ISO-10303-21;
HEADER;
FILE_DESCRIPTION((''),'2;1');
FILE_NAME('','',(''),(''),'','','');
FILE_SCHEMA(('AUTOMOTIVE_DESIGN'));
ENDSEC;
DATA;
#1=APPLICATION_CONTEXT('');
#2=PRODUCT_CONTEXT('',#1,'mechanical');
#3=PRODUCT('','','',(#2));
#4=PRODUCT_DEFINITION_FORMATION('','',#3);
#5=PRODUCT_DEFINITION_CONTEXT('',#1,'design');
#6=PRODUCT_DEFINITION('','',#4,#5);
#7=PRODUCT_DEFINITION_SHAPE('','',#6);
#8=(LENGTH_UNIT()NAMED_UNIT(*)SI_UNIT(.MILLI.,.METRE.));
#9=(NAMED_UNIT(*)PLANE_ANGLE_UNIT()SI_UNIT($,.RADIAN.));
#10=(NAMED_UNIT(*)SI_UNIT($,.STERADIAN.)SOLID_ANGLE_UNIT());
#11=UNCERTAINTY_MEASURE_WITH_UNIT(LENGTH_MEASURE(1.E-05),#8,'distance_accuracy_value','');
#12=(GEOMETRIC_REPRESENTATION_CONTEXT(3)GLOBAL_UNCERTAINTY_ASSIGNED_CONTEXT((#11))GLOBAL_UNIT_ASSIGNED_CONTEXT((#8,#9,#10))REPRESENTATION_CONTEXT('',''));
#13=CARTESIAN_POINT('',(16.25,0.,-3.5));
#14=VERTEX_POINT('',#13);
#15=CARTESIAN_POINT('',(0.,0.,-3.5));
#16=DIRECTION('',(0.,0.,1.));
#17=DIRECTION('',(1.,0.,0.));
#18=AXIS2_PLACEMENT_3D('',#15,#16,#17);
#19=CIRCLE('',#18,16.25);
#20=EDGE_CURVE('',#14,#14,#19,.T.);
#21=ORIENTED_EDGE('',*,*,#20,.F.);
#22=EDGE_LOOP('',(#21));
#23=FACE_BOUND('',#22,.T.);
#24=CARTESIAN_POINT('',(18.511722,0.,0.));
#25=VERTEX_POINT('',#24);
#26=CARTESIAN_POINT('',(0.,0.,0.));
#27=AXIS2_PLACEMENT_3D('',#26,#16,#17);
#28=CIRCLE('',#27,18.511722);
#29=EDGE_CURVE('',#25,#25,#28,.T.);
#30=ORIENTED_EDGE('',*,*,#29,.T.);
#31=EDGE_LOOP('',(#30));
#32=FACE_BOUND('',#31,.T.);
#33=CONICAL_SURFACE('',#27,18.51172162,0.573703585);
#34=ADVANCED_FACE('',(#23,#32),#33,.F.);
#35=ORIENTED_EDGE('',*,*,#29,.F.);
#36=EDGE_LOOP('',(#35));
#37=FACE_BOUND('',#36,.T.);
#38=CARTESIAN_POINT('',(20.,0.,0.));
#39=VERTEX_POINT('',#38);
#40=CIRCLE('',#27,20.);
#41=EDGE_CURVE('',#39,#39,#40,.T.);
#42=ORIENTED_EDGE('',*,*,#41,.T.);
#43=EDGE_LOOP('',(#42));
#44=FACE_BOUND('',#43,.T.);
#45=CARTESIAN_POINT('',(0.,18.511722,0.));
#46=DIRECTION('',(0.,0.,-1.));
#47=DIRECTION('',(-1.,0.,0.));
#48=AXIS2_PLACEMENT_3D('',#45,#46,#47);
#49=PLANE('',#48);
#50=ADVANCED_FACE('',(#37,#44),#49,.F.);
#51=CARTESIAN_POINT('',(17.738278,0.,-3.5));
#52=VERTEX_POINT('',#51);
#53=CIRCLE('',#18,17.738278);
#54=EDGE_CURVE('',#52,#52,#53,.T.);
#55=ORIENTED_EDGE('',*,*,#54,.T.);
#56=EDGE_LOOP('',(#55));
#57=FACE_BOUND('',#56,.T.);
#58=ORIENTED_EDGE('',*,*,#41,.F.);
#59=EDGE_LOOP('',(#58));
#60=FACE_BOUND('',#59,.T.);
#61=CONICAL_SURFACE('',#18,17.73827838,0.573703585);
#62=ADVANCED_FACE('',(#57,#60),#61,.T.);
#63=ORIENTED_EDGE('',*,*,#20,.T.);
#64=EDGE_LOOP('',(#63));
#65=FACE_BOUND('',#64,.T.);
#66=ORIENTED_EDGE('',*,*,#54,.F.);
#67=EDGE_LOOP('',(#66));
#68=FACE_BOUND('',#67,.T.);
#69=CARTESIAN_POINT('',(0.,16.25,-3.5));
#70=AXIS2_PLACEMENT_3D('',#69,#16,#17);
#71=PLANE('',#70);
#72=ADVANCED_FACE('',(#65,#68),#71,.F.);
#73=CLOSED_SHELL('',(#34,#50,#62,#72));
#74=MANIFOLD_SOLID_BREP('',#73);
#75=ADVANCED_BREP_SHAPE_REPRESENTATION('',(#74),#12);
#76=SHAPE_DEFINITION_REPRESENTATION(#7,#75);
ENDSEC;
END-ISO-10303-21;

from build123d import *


with BuildPart() as part:
    # Sketch1 → Revolve1 (revolve)
    with BuildSketch(Plane(origin=(0, 0, 0), x_dir=(0, 0, -1), z_dir=(1, 0, 0)), mode=Mode.PRIVATE) as revolve1_sk:
        Polygon((0, 18.51172162), (3.5, 16.25), (3.5, 17.73827838), (0, 20), align=None)
    revolve(revolve1_sk.sketch.rotate(Axis((0, 0, 0), (0, 0, -1)), 90), axis=Axis((0, 0, 0), (0, 0, -1)))


solid = part.part
